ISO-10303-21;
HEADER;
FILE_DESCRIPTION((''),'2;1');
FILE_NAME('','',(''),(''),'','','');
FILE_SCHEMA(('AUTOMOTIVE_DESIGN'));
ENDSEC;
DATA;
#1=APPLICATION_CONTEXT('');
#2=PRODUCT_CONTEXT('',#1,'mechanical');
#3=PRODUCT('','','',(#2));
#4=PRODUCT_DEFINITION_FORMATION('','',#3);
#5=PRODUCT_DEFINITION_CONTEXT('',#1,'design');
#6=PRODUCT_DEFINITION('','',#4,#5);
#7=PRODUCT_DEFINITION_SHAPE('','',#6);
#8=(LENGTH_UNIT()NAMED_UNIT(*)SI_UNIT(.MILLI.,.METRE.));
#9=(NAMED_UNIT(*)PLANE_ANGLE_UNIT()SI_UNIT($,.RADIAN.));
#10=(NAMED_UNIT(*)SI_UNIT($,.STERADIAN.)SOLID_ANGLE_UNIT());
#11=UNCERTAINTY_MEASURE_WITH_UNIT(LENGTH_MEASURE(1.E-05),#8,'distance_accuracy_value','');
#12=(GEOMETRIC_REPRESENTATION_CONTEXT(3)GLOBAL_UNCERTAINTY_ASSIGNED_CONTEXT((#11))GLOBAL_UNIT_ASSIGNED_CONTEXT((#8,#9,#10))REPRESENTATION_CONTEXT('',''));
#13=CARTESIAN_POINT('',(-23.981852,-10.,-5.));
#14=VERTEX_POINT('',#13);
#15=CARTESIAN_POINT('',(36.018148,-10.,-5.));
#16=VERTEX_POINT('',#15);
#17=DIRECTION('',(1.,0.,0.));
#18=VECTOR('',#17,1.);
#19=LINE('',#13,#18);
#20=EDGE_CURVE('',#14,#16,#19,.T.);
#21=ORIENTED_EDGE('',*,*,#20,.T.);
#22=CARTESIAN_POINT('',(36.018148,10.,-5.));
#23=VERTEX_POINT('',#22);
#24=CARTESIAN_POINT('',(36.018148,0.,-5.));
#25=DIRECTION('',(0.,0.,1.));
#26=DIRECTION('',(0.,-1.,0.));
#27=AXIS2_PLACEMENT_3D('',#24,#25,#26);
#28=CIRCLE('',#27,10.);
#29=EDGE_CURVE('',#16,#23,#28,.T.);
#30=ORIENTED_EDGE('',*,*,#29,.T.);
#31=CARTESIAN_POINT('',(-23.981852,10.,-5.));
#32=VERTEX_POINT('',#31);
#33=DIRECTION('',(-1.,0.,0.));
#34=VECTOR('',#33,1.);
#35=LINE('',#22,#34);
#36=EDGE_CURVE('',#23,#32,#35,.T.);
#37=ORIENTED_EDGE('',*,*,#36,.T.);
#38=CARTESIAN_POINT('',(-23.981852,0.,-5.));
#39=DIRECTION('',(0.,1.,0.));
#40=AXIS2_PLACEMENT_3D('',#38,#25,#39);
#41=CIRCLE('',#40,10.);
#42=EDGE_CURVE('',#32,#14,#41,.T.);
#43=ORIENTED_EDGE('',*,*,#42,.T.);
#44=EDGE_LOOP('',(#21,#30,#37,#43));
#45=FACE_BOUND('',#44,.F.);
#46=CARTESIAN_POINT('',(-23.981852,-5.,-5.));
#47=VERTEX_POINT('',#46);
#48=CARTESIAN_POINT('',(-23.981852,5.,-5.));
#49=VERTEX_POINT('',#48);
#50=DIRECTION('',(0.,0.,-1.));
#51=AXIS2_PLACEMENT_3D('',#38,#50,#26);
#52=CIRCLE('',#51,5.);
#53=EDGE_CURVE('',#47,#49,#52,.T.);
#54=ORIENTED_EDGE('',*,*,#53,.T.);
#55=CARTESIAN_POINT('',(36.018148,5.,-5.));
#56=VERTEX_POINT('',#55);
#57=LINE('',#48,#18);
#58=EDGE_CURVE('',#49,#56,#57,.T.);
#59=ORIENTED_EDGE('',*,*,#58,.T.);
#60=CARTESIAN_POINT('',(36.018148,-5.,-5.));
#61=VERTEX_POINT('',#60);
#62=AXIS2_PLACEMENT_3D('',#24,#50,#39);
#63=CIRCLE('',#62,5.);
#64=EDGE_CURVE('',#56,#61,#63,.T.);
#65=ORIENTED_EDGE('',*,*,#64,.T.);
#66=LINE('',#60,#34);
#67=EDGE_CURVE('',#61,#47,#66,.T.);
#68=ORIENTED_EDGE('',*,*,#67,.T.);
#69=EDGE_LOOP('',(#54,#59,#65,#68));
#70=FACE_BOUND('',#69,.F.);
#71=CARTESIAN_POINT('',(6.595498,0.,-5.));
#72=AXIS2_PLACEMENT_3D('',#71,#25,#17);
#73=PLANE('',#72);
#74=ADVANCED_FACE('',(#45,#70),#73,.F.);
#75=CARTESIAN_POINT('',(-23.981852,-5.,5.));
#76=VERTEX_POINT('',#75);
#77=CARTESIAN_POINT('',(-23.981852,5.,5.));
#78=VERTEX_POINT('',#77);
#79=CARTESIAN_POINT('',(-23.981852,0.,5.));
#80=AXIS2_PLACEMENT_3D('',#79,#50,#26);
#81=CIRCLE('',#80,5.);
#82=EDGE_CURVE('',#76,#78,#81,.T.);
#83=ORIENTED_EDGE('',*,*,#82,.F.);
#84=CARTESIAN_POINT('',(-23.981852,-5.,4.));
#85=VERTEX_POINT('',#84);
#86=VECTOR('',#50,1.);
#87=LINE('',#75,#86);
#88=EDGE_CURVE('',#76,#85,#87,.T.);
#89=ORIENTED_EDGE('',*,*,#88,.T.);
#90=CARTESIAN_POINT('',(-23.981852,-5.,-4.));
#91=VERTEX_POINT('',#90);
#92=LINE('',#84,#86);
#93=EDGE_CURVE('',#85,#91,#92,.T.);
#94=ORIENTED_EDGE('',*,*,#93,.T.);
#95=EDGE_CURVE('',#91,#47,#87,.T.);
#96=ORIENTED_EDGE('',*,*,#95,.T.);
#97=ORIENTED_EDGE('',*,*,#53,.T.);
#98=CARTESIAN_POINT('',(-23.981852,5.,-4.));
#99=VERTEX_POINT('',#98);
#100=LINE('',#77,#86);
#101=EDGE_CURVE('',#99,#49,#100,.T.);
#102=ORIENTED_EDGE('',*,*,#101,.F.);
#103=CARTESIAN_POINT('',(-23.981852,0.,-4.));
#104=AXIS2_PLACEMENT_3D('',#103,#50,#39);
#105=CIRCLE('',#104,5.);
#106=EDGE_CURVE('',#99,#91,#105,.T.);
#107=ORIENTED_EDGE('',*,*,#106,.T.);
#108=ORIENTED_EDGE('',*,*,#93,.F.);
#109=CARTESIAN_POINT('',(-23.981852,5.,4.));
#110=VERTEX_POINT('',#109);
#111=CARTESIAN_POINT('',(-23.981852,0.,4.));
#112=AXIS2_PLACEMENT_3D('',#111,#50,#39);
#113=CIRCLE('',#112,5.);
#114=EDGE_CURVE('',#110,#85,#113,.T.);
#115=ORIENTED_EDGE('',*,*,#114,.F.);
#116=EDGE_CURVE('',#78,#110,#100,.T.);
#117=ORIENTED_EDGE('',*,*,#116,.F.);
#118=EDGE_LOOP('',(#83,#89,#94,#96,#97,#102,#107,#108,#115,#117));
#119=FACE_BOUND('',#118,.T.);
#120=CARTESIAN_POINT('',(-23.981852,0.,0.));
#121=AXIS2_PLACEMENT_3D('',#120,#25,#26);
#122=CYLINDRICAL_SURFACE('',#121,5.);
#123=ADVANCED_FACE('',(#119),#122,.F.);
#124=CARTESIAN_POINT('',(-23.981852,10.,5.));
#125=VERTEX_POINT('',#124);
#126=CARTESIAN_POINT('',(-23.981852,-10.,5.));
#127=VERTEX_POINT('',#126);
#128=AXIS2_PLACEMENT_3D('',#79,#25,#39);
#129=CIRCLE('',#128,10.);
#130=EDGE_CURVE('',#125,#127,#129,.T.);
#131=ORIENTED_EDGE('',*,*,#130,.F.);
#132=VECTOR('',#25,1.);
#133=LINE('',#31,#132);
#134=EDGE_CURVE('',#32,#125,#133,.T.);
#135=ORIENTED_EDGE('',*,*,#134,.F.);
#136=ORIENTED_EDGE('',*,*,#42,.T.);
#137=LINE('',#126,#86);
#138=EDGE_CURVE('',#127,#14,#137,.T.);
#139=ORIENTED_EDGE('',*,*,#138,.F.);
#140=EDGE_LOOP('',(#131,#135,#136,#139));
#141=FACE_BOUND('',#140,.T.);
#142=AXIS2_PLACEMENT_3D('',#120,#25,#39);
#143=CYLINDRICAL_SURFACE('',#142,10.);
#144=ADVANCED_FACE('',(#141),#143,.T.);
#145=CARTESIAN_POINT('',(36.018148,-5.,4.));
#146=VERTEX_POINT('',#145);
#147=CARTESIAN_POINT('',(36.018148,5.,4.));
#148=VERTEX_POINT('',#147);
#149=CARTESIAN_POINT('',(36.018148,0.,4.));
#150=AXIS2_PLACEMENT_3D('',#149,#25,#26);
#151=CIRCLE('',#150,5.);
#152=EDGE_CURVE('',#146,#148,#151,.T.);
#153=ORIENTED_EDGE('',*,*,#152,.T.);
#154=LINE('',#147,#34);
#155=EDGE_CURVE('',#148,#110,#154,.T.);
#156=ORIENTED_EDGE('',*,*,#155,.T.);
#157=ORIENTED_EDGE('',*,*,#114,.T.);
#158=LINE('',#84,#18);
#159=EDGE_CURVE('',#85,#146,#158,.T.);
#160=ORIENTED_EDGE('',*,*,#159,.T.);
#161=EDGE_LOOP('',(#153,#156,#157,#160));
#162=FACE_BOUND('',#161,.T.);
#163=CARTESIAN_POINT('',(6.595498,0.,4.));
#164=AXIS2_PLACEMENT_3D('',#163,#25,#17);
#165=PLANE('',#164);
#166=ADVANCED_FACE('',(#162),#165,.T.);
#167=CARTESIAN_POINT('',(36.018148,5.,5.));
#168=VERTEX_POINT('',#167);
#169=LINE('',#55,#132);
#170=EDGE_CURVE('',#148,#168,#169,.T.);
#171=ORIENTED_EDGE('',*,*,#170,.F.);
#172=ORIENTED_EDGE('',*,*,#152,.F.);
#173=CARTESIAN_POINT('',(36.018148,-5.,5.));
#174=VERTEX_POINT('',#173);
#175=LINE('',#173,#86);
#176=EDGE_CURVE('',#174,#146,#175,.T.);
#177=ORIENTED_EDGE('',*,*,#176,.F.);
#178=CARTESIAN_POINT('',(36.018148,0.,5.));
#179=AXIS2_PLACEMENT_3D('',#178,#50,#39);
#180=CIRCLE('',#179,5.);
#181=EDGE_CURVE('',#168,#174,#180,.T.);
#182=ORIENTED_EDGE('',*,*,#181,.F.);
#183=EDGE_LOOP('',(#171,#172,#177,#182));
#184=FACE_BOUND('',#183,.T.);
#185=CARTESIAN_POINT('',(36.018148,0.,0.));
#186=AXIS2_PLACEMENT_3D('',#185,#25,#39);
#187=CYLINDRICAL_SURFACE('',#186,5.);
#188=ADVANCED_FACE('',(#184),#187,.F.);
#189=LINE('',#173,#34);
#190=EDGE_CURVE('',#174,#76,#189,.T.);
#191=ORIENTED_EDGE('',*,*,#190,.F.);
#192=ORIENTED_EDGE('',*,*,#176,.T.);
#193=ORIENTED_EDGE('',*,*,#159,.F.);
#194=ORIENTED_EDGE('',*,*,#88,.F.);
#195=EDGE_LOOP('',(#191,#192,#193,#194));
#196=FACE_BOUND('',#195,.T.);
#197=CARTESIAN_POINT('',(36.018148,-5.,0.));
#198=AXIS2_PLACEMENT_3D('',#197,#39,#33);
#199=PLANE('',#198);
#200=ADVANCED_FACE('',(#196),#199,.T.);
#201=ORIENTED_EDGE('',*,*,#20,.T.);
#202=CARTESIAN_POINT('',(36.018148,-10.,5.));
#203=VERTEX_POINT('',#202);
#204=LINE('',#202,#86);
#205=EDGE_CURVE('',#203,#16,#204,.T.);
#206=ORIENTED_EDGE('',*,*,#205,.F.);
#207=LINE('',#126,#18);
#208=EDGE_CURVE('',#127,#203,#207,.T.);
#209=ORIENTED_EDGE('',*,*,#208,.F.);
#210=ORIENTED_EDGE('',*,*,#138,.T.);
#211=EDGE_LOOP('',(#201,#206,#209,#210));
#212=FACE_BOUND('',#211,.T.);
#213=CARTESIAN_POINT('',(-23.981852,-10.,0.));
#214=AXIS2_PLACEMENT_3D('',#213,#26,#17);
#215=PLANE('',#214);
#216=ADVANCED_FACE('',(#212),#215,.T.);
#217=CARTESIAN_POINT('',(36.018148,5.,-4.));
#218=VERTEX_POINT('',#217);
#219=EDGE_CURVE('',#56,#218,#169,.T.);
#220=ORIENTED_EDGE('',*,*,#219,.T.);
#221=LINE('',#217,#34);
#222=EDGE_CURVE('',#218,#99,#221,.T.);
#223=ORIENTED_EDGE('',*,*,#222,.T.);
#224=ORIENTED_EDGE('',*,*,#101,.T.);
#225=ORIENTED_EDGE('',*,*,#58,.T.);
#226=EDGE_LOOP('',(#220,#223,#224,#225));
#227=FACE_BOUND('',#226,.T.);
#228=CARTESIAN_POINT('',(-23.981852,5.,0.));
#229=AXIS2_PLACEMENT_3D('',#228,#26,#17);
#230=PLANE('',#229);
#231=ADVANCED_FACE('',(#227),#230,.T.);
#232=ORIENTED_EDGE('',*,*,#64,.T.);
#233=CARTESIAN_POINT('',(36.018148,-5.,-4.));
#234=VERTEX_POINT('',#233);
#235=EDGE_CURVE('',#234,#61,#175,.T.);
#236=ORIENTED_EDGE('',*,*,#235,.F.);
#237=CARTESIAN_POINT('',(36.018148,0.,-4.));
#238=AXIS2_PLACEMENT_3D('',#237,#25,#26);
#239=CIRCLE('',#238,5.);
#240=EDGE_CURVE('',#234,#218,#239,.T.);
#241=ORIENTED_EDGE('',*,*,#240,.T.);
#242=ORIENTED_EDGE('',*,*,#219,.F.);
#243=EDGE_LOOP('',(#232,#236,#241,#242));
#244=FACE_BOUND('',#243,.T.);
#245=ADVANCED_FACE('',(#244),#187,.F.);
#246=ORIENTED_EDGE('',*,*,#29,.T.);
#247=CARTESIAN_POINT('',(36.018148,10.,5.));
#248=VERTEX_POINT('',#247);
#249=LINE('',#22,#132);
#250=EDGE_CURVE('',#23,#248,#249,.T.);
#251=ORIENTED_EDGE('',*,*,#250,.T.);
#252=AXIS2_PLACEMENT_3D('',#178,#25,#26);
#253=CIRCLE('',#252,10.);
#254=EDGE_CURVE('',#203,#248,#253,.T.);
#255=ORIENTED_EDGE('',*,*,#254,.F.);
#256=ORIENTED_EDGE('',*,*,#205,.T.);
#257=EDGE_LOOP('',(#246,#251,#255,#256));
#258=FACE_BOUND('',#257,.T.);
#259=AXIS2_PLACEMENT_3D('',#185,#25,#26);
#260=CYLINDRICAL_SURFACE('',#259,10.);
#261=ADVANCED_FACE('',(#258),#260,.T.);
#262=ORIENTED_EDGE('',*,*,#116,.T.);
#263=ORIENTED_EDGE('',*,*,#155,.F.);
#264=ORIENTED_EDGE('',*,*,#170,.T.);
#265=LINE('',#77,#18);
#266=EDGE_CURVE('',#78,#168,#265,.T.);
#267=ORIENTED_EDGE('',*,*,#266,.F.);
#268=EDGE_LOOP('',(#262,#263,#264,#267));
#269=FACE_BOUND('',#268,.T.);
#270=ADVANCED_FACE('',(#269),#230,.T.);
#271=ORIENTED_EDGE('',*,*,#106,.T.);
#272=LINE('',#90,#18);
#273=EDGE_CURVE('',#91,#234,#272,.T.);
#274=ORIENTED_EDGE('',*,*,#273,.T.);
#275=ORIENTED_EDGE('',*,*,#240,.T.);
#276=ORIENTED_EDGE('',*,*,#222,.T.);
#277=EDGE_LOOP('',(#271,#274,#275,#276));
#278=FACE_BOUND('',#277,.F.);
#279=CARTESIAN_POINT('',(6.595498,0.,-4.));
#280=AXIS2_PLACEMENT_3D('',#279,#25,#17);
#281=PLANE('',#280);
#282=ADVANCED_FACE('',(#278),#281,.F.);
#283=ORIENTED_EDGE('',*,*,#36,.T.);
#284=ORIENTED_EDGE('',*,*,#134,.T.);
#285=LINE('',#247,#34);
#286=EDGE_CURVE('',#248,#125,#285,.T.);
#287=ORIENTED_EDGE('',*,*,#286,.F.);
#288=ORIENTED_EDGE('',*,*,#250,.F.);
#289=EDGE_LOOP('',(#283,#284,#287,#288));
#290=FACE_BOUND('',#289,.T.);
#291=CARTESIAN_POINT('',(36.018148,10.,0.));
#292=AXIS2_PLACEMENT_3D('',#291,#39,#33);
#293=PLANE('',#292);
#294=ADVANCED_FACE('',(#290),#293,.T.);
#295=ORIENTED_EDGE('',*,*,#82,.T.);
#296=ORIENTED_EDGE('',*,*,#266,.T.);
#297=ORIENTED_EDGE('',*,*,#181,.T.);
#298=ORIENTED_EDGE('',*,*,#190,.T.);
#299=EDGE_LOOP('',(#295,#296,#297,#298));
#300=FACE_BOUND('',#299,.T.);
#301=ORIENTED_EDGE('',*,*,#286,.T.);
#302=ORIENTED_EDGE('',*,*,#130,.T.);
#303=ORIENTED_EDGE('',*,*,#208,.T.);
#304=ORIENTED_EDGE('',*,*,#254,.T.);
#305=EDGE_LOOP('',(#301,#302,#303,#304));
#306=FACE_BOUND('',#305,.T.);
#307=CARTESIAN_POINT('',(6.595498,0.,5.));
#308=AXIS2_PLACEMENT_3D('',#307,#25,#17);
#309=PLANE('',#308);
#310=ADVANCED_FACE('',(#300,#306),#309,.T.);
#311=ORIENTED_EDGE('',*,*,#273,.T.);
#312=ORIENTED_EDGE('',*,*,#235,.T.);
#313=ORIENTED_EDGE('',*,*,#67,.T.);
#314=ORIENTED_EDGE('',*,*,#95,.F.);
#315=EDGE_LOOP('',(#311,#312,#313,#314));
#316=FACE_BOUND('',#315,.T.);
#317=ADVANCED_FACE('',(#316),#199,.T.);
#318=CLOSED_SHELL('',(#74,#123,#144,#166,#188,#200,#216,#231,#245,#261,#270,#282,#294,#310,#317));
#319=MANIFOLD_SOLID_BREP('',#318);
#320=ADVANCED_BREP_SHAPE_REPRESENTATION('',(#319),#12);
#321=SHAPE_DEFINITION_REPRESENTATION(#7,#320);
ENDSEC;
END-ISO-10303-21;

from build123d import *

# Parameters (mm, degrees)
F1_DEPTH = 4
F2_DEPTH = 5


with BuildPart() as f1:
    # F0 (on Top) → F1 (new body, symmetric)
    with BuildSketch(Plane.XY):
        with BuildLine():
            Line((-23.981852, -5), (36.018148, -5))
            ThreePointArc((36.018148, -5), (41.018148, 0), (36.018148, 5))
            Line((36.018148, 5), (-23.981852, 5))
            ThreePointArc((-23.981852, 5), (-18.981852, 0), (-23.981852, -5))
        make_face()
    extrude(amount=F1_DEPTH, both=True)

    # F0 (on Top) → F2 (join, symmetric)
    with BuildSketch(Plane.XY):
        with BuildLine():
            Line((-23.981852, -5), (36.018148, -5))
            ThreePointArc((36.018148, -5), (41.018148, 0), (36.018148, 5))
            Line((36.018148, 5), (-23.981852, 5))
            ThreePointArc((-23.981852, 5), (-18.981852, 0), (-23.981852, -5))
        make_face()
        with BuildLine():
            ThreePointArc((36.018148, -10), (46.018148, 0), (36.018148, 10))
            Line((36.018148, 10), (-23.981852, 10))
            ThreePointArc((-23.981852, 10), (-33.981852, 0), (-23.981852, -10))
            Line((-23.981852, -10), (36.018148, -10))
        make_face()
        with BuildLine():
            ThreePointArc((36.018148, 5), (41.018148, 0), (36.018148, -5))
            Line((36.018148, -5), (-23.981852, -5))
            ThreePointArc((-23.981852, -5), (-28.981852, 0), (-23.981852, 5))
            Line((-23.981852, 5), (36.018148, 5))
        make_face(mode=Mode.SUBTRACT)
    extrude(amount=F2_DEPTH, both=True)


solid = f1.part
